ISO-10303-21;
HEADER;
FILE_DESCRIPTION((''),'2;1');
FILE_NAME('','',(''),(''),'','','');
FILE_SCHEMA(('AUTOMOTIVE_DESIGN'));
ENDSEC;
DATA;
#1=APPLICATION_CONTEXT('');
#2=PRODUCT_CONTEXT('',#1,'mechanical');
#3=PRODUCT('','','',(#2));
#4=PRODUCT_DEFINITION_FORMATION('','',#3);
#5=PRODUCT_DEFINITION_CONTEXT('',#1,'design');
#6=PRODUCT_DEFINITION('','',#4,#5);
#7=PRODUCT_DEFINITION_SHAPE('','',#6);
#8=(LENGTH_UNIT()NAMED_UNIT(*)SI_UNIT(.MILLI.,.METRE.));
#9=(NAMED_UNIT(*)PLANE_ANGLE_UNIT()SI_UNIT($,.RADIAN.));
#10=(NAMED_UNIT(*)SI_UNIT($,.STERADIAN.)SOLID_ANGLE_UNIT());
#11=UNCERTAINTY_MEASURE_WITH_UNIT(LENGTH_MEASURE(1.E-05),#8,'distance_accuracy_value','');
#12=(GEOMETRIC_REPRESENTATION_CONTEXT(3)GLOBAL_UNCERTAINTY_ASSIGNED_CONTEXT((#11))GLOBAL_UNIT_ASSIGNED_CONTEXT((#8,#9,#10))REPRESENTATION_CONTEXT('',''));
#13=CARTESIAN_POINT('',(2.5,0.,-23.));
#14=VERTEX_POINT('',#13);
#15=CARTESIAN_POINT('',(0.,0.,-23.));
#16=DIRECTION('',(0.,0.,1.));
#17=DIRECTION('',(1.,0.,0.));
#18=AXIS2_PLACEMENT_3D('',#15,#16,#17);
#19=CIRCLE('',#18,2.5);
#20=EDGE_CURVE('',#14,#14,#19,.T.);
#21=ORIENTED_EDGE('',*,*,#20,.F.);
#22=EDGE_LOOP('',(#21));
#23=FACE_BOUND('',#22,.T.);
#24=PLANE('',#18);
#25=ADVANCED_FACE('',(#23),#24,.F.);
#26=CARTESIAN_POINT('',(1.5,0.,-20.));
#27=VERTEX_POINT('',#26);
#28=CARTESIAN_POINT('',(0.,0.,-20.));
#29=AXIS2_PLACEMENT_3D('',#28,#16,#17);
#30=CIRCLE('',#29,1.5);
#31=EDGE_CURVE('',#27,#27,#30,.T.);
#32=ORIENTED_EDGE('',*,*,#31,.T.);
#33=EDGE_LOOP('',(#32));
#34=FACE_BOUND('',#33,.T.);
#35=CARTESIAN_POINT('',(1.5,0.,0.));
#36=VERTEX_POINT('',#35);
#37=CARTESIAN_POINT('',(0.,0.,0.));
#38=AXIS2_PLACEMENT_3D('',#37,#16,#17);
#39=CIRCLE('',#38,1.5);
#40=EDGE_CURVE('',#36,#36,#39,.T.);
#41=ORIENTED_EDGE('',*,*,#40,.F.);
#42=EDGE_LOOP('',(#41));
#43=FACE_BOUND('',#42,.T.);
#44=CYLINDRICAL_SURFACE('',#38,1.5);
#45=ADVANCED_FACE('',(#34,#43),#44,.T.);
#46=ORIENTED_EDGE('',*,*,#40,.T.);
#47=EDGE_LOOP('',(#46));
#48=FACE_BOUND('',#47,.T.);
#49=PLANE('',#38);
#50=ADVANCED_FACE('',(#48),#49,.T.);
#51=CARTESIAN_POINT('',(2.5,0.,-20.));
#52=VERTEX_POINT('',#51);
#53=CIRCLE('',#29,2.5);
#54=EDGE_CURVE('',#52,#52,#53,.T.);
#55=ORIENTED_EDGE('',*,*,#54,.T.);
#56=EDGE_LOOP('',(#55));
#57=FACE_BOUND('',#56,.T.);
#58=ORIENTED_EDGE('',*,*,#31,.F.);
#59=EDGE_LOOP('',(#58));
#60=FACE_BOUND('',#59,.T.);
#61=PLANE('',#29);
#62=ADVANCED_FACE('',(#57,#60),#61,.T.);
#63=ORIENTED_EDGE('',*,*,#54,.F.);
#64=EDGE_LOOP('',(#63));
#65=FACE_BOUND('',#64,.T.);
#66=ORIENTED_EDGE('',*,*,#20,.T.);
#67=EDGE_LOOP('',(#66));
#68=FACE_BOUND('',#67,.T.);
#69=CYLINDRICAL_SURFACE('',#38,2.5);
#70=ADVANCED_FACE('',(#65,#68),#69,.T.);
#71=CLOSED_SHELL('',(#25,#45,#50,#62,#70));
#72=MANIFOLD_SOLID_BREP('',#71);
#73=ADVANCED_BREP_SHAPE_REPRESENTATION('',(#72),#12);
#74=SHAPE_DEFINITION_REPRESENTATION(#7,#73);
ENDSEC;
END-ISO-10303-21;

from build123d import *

# Parameters (mm, degrees)
SKETCH1_W = 1.5
SKETCH1_H = 20


with BuildPart() as part:
    # Sketch1 → Revolve1 (revolve)
    with BuildSketch(Plane(origin=(0, 0, 0), x_dir=(1, 0, 0), z_dir=(0, 1, 0))):
        with Locations((0.75, 10)):
            Rectangle(SKETCH1_W, SKETCH1_H)
        Polygon((0, 23), (0, 20), (1.5, 20), (2.5, 20), (2.5, 23), align=None)
    revolve(axis=Axis((0, 0, 0), (0, 0, -1)))


solid = part.part
